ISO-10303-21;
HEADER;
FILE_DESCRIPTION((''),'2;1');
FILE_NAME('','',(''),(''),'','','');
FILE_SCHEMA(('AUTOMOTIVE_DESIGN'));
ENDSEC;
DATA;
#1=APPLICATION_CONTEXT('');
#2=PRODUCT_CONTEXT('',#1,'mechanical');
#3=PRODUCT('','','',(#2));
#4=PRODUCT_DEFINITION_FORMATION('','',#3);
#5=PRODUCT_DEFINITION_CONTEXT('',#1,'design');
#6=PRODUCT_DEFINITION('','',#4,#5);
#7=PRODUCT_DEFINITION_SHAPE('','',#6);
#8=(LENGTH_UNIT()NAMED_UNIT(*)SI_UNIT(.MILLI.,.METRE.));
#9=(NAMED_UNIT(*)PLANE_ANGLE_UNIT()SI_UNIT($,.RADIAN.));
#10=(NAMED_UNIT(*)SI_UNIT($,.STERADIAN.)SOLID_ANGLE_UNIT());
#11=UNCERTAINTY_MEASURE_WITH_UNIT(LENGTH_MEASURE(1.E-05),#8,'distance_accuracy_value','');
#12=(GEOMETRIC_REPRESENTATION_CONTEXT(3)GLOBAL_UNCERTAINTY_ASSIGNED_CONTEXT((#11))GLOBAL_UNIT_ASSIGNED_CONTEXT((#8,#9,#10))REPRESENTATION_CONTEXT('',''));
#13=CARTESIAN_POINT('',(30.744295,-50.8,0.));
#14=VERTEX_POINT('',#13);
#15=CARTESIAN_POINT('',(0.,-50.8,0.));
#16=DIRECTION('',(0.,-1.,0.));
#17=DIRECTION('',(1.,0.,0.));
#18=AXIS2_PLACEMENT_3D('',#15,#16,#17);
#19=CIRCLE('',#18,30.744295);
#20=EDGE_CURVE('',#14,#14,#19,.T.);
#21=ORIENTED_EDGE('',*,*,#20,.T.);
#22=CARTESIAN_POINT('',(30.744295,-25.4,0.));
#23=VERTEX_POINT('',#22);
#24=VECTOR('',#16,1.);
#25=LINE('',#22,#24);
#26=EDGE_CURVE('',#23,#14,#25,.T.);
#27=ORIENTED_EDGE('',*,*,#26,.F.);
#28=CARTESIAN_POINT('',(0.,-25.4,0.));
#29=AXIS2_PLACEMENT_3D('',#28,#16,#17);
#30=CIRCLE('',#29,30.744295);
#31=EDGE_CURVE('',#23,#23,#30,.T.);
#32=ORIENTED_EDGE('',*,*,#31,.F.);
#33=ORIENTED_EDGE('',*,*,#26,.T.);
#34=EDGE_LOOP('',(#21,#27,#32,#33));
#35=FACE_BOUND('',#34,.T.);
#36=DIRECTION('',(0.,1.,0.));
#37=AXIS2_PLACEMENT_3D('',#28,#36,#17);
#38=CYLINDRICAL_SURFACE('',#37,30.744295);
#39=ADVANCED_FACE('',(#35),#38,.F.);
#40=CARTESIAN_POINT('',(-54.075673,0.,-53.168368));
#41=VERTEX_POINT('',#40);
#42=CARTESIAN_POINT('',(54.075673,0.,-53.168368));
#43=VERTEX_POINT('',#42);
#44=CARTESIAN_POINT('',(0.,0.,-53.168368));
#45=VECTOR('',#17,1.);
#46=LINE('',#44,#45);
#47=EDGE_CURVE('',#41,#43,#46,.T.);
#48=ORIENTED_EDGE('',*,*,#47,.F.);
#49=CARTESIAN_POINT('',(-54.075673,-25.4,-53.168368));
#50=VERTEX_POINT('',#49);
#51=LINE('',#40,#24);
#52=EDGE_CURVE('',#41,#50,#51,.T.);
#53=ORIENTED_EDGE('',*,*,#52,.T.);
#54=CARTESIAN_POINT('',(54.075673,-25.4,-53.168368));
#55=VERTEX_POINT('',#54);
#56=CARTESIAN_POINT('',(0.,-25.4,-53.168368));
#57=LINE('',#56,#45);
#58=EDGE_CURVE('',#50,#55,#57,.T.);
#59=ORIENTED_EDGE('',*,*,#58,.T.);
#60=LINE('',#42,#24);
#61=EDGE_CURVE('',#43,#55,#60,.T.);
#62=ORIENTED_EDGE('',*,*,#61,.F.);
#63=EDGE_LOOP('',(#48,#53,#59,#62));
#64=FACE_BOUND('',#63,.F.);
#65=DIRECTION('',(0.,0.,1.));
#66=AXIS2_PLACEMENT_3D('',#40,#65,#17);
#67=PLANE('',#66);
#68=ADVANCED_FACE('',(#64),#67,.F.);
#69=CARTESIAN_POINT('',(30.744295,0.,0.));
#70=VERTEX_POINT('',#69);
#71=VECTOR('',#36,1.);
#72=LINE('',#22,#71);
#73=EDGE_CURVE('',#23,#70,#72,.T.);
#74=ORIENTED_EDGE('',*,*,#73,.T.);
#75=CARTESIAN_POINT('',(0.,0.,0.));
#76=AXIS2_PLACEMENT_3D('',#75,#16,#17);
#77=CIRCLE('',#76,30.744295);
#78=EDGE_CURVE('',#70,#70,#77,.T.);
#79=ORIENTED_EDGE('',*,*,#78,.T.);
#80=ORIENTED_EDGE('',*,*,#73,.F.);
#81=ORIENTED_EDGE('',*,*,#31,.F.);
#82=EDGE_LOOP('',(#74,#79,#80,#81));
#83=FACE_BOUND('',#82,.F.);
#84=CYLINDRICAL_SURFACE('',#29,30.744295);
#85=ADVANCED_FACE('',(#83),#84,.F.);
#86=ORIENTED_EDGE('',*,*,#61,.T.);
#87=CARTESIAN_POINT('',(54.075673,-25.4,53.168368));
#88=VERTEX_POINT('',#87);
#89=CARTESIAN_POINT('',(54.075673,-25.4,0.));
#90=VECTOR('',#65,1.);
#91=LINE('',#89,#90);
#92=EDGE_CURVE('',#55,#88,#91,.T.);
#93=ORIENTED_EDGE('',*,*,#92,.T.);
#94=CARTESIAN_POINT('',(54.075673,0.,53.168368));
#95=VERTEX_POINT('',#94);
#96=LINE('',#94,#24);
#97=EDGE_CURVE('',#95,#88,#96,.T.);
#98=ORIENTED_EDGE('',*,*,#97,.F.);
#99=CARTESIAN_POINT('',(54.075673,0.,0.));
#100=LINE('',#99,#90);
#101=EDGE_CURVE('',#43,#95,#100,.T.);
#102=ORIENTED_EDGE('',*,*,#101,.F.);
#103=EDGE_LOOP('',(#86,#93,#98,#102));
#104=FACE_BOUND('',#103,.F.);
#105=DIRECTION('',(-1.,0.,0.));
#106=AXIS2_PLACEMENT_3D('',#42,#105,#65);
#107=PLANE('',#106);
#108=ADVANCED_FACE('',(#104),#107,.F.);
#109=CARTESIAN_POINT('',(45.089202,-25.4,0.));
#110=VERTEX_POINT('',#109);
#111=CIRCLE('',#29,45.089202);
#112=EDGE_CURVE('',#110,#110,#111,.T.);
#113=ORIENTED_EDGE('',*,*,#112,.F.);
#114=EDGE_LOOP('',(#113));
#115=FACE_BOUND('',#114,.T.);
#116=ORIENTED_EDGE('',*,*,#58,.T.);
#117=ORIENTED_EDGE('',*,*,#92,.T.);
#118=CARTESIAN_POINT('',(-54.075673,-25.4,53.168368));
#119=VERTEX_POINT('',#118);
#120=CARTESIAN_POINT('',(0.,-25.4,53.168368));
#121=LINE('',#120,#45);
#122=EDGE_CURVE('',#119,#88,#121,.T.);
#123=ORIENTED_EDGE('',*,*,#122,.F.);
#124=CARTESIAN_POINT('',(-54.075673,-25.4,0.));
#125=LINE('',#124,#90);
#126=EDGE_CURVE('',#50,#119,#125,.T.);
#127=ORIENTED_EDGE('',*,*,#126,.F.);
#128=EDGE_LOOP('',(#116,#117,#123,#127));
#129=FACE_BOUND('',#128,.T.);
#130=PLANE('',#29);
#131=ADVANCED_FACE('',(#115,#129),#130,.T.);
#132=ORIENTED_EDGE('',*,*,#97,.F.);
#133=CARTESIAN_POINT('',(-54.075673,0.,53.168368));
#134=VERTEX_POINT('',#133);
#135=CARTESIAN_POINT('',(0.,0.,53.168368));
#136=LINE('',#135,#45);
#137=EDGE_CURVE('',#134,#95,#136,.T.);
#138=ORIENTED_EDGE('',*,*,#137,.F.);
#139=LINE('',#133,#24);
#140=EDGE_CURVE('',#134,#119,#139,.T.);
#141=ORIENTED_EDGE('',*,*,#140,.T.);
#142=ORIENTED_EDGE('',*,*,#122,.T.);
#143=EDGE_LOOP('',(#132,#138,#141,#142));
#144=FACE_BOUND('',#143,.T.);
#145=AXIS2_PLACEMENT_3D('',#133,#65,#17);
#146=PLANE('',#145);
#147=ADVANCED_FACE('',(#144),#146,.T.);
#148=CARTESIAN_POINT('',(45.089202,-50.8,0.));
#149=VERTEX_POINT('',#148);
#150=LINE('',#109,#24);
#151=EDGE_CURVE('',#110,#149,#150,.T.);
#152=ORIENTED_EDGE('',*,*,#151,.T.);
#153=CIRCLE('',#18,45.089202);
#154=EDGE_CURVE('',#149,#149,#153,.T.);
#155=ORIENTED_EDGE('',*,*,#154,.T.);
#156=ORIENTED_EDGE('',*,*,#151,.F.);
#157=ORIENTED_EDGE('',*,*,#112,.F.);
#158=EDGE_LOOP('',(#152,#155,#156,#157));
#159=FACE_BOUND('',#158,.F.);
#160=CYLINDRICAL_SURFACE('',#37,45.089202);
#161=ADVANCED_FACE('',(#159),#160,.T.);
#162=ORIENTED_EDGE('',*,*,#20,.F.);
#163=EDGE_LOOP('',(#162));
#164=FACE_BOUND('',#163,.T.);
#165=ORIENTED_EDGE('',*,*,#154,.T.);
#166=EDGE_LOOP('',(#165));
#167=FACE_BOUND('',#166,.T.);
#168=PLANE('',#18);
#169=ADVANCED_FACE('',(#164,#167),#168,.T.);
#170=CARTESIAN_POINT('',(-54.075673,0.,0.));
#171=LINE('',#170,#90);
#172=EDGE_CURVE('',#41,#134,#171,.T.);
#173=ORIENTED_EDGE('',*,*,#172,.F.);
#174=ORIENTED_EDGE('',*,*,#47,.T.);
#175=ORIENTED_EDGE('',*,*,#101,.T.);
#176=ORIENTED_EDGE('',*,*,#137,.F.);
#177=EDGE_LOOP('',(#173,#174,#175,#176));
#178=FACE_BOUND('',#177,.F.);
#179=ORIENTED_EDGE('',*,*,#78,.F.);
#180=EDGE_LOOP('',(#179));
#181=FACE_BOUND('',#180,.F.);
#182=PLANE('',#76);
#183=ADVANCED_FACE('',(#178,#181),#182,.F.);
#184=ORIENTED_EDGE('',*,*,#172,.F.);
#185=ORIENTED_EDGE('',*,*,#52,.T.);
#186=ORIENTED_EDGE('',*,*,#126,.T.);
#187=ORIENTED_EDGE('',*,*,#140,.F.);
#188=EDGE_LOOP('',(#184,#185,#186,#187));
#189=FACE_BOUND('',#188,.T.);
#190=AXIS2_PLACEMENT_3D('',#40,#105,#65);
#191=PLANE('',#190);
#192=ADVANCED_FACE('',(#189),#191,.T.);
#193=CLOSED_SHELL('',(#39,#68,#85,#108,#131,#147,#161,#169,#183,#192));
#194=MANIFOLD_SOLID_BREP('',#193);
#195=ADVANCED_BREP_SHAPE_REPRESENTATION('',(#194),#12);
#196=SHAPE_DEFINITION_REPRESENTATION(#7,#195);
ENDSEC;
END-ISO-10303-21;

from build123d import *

# Parameters (mm, degrees)
F0_W     = 108.1513464451
F0_H     = 106.336735189
F1_DEPTH = 25.4
F2_R     = 30.7442953742
F3_DEPTH = 25.401
F4_R     = 45.0892018552
F4_R_2   = 30.7442953742
F5_DEPTH = 25.4


with BuildPart() as f1:
    # F0 (on Front) → F1 (new body)
    with BuildSketch(Plane.XZ):
        Rectangle(F0_W, F0_H)
    extrude(amount=F1_DEPTH)

    # F2 (on face) → F3 (cut, through all)
    with BuildSketch(Plane.XZ.offset(25.4)):
        Circle(F2_R)
    extrude(amount=-F3_DEPTH, mode=Mode.SUBTRACT)

    # F4 (on face) → F5 (join)
    with BuildSketch(Plane.XZ.offset(25.4)):
        Circle(F4_R)
        Circle(F4_R_2, mode=Mode.SUBTRACT)
    extrude(amount=F5_DEPTH)


solid = f1.part
